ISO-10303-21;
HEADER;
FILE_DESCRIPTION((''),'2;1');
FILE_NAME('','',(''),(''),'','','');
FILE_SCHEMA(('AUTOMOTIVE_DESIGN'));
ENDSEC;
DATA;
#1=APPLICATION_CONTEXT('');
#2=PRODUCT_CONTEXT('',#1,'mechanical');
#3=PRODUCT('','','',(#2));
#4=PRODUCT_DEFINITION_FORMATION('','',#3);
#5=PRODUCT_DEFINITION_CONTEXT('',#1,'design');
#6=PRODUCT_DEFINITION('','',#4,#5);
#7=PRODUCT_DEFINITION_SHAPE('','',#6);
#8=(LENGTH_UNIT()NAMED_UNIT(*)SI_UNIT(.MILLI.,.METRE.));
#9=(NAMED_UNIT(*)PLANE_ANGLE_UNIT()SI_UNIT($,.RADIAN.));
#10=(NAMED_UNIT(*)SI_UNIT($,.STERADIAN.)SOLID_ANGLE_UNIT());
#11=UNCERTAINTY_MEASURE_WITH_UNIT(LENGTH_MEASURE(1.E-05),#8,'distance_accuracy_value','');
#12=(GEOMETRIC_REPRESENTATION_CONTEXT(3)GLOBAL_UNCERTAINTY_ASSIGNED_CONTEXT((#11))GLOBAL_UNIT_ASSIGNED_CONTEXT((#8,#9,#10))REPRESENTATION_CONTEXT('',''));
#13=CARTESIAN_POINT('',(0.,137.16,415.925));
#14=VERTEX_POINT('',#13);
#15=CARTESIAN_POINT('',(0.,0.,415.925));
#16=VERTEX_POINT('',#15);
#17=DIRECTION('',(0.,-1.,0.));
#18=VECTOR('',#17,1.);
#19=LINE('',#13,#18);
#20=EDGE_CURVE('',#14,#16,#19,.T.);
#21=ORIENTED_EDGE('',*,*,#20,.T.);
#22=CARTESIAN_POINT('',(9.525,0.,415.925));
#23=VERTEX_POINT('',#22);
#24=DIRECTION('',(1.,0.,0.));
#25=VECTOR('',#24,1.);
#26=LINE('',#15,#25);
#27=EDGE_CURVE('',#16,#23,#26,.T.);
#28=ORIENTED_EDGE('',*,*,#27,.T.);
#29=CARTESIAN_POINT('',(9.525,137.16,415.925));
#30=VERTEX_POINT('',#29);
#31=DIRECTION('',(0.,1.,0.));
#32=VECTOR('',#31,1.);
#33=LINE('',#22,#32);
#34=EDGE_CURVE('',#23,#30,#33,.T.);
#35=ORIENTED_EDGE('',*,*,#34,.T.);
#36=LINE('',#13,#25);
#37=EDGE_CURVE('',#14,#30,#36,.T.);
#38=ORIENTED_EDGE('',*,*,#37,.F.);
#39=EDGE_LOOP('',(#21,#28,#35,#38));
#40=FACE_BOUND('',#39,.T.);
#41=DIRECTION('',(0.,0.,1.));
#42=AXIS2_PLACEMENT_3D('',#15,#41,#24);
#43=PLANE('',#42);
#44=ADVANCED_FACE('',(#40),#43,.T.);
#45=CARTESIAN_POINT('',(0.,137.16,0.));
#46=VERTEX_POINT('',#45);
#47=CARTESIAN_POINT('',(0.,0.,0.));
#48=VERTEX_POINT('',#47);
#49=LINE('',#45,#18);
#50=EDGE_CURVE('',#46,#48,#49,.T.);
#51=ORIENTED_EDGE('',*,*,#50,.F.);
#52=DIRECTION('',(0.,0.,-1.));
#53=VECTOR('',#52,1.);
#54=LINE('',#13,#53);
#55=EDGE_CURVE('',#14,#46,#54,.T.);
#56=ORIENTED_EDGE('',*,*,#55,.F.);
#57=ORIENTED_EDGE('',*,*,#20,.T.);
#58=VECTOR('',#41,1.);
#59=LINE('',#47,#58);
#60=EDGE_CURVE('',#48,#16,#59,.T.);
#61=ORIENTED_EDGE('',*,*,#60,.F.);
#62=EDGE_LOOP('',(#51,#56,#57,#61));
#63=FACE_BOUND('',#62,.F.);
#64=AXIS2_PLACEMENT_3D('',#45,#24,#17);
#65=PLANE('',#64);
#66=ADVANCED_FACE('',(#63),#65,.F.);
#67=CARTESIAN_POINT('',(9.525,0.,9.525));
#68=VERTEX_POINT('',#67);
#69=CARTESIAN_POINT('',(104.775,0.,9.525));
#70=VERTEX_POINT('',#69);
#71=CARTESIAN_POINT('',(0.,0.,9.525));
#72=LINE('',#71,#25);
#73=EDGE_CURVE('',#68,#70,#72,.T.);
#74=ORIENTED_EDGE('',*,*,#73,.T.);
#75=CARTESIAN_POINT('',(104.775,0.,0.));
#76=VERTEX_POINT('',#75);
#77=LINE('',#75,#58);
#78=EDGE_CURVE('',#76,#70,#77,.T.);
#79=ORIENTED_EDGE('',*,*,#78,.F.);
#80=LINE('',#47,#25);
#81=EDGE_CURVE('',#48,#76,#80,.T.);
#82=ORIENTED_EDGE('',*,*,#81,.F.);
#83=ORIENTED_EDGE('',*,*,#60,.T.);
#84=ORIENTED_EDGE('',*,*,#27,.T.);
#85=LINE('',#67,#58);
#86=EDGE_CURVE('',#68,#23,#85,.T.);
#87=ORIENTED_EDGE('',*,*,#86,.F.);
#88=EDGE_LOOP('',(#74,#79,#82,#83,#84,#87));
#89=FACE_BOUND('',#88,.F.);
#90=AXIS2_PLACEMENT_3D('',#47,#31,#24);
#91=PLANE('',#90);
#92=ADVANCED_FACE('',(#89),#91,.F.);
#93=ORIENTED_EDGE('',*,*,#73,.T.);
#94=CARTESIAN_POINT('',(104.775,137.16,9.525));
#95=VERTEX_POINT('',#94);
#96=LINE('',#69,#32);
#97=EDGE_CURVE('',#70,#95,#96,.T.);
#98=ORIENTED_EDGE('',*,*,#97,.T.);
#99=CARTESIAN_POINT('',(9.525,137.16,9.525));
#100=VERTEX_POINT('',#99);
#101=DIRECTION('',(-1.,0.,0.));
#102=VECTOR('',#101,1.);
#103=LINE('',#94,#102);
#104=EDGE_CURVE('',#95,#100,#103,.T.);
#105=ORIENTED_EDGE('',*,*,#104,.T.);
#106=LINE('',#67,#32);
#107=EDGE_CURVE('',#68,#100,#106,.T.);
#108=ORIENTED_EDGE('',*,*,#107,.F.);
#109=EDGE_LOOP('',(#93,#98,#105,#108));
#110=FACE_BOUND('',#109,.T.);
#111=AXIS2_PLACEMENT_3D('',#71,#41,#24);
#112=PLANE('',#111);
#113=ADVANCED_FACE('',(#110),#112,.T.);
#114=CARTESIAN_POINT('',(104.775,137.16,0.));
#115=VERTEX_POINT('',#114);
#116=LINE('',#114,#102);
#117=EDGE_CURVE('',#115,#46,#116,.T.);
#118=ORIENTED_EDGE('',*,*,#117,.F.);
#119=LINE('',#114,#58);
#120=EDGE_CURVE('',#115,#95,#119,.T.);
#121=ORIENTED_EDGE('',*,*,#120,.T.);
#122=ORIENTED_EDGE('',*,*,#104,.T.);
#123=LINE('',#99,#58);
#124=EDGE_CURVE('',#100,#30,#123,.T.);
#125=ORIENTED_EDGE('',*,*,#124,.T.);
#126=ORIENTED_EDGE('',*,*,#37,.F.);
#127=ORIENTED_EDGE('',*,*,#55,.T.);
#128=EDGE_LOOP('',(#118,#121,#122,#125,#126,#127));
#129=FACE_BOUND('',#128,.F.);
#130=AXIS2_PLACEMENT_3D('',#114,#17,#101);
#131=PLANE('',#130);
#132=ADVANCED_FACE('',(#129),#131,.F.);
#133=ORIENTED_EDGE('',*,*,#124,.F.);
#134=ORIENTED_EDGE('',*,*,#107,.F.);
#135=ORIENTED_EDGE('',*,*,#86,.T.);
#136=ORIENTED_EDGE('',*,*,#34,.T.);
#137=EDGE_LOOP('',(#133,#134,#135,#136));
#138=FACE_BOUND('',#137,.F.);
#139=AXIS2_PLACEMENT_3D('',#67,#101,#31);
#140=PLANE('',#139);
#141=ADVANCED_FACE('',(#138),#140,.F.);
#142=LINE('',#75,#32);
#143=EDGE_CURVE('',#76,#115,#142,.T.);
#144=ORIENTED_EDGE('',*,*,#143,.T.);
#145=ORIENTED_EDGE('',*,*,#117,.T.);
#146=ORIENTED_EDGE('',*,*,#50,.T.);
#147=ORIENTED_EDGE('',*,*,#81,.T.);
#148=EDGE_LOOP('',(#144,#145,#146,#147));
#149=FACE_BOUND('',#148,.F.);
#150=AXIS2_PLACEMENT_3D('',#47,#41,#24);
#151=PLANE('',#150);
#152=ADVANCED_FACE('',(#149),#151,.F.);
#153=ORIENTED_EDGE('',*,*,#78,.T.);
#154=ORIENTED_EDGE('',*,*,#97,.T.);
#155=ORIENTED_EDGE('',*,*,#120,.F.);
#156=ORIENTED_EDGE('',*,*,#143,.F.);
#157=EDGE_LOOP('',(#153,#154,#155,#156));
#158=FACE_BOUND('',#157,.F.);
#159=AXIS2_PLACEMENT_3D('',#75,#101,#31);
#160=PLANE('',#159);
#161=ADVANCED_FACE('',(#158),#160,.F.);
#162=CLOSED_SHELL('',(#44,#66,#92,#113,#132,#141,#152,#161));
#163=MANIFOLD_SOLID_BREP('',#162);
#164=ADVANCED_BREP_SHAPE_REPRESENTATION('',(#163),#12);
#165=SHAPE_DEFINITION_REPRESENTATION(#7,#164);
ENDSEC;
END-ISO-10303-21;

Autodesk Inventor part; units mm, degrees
ref_plane "YZ Plane" through (0, 0, 0) normal (1, 0, 0) x (0, 1, 0)
ref_plane "XZ Plane" through (0, 0, 0) normal (0, 1, 0) x (-1, 0, 0)
ref_plane "XY Plane" through (0, 0, 0) normal (0, 0, 1) x (1, 0, 0)
sketch "Sketch1" plane through (0, 0, 0) normal (0, 0, 1) x (1, 0, 0)
  line L0 (0, 0) -> (104.775, 0)
  line L1 (104.775, 0) -> (104.775, 137.16)
  line L2 (104.775, 137.16) -> (0, 137.16)
  line L3 (0, 137.16) -> (0, 0)
  dimension "d0" = 104.775
  dimension "d1" = 137.16
extrude "Extrusion1" add sketch "Sketch1" along normal blind 9.525
sketch "Sketch2" plane through (0, 0, 9.525) normal (0, 0, 1) x (1, 0, 0)
  line L0 (0, 137.16) -> (104.775, 137.16) projected
  line L1 (0, 0) -> (9.525, 0)
  line L2 (9.525, 0) -> (9.525, 137.16)
  line L3 (9.525, 137.16) -> (0, 137.16)
  line L4 (0, 137.16) -> (0, 0)
  dimension "d4" = 9.525
extrude "Extrusion2" add sketch "Sketch2" along normal blind 406.4
properties part number "l_bracket" material "Aluminum-6061"
